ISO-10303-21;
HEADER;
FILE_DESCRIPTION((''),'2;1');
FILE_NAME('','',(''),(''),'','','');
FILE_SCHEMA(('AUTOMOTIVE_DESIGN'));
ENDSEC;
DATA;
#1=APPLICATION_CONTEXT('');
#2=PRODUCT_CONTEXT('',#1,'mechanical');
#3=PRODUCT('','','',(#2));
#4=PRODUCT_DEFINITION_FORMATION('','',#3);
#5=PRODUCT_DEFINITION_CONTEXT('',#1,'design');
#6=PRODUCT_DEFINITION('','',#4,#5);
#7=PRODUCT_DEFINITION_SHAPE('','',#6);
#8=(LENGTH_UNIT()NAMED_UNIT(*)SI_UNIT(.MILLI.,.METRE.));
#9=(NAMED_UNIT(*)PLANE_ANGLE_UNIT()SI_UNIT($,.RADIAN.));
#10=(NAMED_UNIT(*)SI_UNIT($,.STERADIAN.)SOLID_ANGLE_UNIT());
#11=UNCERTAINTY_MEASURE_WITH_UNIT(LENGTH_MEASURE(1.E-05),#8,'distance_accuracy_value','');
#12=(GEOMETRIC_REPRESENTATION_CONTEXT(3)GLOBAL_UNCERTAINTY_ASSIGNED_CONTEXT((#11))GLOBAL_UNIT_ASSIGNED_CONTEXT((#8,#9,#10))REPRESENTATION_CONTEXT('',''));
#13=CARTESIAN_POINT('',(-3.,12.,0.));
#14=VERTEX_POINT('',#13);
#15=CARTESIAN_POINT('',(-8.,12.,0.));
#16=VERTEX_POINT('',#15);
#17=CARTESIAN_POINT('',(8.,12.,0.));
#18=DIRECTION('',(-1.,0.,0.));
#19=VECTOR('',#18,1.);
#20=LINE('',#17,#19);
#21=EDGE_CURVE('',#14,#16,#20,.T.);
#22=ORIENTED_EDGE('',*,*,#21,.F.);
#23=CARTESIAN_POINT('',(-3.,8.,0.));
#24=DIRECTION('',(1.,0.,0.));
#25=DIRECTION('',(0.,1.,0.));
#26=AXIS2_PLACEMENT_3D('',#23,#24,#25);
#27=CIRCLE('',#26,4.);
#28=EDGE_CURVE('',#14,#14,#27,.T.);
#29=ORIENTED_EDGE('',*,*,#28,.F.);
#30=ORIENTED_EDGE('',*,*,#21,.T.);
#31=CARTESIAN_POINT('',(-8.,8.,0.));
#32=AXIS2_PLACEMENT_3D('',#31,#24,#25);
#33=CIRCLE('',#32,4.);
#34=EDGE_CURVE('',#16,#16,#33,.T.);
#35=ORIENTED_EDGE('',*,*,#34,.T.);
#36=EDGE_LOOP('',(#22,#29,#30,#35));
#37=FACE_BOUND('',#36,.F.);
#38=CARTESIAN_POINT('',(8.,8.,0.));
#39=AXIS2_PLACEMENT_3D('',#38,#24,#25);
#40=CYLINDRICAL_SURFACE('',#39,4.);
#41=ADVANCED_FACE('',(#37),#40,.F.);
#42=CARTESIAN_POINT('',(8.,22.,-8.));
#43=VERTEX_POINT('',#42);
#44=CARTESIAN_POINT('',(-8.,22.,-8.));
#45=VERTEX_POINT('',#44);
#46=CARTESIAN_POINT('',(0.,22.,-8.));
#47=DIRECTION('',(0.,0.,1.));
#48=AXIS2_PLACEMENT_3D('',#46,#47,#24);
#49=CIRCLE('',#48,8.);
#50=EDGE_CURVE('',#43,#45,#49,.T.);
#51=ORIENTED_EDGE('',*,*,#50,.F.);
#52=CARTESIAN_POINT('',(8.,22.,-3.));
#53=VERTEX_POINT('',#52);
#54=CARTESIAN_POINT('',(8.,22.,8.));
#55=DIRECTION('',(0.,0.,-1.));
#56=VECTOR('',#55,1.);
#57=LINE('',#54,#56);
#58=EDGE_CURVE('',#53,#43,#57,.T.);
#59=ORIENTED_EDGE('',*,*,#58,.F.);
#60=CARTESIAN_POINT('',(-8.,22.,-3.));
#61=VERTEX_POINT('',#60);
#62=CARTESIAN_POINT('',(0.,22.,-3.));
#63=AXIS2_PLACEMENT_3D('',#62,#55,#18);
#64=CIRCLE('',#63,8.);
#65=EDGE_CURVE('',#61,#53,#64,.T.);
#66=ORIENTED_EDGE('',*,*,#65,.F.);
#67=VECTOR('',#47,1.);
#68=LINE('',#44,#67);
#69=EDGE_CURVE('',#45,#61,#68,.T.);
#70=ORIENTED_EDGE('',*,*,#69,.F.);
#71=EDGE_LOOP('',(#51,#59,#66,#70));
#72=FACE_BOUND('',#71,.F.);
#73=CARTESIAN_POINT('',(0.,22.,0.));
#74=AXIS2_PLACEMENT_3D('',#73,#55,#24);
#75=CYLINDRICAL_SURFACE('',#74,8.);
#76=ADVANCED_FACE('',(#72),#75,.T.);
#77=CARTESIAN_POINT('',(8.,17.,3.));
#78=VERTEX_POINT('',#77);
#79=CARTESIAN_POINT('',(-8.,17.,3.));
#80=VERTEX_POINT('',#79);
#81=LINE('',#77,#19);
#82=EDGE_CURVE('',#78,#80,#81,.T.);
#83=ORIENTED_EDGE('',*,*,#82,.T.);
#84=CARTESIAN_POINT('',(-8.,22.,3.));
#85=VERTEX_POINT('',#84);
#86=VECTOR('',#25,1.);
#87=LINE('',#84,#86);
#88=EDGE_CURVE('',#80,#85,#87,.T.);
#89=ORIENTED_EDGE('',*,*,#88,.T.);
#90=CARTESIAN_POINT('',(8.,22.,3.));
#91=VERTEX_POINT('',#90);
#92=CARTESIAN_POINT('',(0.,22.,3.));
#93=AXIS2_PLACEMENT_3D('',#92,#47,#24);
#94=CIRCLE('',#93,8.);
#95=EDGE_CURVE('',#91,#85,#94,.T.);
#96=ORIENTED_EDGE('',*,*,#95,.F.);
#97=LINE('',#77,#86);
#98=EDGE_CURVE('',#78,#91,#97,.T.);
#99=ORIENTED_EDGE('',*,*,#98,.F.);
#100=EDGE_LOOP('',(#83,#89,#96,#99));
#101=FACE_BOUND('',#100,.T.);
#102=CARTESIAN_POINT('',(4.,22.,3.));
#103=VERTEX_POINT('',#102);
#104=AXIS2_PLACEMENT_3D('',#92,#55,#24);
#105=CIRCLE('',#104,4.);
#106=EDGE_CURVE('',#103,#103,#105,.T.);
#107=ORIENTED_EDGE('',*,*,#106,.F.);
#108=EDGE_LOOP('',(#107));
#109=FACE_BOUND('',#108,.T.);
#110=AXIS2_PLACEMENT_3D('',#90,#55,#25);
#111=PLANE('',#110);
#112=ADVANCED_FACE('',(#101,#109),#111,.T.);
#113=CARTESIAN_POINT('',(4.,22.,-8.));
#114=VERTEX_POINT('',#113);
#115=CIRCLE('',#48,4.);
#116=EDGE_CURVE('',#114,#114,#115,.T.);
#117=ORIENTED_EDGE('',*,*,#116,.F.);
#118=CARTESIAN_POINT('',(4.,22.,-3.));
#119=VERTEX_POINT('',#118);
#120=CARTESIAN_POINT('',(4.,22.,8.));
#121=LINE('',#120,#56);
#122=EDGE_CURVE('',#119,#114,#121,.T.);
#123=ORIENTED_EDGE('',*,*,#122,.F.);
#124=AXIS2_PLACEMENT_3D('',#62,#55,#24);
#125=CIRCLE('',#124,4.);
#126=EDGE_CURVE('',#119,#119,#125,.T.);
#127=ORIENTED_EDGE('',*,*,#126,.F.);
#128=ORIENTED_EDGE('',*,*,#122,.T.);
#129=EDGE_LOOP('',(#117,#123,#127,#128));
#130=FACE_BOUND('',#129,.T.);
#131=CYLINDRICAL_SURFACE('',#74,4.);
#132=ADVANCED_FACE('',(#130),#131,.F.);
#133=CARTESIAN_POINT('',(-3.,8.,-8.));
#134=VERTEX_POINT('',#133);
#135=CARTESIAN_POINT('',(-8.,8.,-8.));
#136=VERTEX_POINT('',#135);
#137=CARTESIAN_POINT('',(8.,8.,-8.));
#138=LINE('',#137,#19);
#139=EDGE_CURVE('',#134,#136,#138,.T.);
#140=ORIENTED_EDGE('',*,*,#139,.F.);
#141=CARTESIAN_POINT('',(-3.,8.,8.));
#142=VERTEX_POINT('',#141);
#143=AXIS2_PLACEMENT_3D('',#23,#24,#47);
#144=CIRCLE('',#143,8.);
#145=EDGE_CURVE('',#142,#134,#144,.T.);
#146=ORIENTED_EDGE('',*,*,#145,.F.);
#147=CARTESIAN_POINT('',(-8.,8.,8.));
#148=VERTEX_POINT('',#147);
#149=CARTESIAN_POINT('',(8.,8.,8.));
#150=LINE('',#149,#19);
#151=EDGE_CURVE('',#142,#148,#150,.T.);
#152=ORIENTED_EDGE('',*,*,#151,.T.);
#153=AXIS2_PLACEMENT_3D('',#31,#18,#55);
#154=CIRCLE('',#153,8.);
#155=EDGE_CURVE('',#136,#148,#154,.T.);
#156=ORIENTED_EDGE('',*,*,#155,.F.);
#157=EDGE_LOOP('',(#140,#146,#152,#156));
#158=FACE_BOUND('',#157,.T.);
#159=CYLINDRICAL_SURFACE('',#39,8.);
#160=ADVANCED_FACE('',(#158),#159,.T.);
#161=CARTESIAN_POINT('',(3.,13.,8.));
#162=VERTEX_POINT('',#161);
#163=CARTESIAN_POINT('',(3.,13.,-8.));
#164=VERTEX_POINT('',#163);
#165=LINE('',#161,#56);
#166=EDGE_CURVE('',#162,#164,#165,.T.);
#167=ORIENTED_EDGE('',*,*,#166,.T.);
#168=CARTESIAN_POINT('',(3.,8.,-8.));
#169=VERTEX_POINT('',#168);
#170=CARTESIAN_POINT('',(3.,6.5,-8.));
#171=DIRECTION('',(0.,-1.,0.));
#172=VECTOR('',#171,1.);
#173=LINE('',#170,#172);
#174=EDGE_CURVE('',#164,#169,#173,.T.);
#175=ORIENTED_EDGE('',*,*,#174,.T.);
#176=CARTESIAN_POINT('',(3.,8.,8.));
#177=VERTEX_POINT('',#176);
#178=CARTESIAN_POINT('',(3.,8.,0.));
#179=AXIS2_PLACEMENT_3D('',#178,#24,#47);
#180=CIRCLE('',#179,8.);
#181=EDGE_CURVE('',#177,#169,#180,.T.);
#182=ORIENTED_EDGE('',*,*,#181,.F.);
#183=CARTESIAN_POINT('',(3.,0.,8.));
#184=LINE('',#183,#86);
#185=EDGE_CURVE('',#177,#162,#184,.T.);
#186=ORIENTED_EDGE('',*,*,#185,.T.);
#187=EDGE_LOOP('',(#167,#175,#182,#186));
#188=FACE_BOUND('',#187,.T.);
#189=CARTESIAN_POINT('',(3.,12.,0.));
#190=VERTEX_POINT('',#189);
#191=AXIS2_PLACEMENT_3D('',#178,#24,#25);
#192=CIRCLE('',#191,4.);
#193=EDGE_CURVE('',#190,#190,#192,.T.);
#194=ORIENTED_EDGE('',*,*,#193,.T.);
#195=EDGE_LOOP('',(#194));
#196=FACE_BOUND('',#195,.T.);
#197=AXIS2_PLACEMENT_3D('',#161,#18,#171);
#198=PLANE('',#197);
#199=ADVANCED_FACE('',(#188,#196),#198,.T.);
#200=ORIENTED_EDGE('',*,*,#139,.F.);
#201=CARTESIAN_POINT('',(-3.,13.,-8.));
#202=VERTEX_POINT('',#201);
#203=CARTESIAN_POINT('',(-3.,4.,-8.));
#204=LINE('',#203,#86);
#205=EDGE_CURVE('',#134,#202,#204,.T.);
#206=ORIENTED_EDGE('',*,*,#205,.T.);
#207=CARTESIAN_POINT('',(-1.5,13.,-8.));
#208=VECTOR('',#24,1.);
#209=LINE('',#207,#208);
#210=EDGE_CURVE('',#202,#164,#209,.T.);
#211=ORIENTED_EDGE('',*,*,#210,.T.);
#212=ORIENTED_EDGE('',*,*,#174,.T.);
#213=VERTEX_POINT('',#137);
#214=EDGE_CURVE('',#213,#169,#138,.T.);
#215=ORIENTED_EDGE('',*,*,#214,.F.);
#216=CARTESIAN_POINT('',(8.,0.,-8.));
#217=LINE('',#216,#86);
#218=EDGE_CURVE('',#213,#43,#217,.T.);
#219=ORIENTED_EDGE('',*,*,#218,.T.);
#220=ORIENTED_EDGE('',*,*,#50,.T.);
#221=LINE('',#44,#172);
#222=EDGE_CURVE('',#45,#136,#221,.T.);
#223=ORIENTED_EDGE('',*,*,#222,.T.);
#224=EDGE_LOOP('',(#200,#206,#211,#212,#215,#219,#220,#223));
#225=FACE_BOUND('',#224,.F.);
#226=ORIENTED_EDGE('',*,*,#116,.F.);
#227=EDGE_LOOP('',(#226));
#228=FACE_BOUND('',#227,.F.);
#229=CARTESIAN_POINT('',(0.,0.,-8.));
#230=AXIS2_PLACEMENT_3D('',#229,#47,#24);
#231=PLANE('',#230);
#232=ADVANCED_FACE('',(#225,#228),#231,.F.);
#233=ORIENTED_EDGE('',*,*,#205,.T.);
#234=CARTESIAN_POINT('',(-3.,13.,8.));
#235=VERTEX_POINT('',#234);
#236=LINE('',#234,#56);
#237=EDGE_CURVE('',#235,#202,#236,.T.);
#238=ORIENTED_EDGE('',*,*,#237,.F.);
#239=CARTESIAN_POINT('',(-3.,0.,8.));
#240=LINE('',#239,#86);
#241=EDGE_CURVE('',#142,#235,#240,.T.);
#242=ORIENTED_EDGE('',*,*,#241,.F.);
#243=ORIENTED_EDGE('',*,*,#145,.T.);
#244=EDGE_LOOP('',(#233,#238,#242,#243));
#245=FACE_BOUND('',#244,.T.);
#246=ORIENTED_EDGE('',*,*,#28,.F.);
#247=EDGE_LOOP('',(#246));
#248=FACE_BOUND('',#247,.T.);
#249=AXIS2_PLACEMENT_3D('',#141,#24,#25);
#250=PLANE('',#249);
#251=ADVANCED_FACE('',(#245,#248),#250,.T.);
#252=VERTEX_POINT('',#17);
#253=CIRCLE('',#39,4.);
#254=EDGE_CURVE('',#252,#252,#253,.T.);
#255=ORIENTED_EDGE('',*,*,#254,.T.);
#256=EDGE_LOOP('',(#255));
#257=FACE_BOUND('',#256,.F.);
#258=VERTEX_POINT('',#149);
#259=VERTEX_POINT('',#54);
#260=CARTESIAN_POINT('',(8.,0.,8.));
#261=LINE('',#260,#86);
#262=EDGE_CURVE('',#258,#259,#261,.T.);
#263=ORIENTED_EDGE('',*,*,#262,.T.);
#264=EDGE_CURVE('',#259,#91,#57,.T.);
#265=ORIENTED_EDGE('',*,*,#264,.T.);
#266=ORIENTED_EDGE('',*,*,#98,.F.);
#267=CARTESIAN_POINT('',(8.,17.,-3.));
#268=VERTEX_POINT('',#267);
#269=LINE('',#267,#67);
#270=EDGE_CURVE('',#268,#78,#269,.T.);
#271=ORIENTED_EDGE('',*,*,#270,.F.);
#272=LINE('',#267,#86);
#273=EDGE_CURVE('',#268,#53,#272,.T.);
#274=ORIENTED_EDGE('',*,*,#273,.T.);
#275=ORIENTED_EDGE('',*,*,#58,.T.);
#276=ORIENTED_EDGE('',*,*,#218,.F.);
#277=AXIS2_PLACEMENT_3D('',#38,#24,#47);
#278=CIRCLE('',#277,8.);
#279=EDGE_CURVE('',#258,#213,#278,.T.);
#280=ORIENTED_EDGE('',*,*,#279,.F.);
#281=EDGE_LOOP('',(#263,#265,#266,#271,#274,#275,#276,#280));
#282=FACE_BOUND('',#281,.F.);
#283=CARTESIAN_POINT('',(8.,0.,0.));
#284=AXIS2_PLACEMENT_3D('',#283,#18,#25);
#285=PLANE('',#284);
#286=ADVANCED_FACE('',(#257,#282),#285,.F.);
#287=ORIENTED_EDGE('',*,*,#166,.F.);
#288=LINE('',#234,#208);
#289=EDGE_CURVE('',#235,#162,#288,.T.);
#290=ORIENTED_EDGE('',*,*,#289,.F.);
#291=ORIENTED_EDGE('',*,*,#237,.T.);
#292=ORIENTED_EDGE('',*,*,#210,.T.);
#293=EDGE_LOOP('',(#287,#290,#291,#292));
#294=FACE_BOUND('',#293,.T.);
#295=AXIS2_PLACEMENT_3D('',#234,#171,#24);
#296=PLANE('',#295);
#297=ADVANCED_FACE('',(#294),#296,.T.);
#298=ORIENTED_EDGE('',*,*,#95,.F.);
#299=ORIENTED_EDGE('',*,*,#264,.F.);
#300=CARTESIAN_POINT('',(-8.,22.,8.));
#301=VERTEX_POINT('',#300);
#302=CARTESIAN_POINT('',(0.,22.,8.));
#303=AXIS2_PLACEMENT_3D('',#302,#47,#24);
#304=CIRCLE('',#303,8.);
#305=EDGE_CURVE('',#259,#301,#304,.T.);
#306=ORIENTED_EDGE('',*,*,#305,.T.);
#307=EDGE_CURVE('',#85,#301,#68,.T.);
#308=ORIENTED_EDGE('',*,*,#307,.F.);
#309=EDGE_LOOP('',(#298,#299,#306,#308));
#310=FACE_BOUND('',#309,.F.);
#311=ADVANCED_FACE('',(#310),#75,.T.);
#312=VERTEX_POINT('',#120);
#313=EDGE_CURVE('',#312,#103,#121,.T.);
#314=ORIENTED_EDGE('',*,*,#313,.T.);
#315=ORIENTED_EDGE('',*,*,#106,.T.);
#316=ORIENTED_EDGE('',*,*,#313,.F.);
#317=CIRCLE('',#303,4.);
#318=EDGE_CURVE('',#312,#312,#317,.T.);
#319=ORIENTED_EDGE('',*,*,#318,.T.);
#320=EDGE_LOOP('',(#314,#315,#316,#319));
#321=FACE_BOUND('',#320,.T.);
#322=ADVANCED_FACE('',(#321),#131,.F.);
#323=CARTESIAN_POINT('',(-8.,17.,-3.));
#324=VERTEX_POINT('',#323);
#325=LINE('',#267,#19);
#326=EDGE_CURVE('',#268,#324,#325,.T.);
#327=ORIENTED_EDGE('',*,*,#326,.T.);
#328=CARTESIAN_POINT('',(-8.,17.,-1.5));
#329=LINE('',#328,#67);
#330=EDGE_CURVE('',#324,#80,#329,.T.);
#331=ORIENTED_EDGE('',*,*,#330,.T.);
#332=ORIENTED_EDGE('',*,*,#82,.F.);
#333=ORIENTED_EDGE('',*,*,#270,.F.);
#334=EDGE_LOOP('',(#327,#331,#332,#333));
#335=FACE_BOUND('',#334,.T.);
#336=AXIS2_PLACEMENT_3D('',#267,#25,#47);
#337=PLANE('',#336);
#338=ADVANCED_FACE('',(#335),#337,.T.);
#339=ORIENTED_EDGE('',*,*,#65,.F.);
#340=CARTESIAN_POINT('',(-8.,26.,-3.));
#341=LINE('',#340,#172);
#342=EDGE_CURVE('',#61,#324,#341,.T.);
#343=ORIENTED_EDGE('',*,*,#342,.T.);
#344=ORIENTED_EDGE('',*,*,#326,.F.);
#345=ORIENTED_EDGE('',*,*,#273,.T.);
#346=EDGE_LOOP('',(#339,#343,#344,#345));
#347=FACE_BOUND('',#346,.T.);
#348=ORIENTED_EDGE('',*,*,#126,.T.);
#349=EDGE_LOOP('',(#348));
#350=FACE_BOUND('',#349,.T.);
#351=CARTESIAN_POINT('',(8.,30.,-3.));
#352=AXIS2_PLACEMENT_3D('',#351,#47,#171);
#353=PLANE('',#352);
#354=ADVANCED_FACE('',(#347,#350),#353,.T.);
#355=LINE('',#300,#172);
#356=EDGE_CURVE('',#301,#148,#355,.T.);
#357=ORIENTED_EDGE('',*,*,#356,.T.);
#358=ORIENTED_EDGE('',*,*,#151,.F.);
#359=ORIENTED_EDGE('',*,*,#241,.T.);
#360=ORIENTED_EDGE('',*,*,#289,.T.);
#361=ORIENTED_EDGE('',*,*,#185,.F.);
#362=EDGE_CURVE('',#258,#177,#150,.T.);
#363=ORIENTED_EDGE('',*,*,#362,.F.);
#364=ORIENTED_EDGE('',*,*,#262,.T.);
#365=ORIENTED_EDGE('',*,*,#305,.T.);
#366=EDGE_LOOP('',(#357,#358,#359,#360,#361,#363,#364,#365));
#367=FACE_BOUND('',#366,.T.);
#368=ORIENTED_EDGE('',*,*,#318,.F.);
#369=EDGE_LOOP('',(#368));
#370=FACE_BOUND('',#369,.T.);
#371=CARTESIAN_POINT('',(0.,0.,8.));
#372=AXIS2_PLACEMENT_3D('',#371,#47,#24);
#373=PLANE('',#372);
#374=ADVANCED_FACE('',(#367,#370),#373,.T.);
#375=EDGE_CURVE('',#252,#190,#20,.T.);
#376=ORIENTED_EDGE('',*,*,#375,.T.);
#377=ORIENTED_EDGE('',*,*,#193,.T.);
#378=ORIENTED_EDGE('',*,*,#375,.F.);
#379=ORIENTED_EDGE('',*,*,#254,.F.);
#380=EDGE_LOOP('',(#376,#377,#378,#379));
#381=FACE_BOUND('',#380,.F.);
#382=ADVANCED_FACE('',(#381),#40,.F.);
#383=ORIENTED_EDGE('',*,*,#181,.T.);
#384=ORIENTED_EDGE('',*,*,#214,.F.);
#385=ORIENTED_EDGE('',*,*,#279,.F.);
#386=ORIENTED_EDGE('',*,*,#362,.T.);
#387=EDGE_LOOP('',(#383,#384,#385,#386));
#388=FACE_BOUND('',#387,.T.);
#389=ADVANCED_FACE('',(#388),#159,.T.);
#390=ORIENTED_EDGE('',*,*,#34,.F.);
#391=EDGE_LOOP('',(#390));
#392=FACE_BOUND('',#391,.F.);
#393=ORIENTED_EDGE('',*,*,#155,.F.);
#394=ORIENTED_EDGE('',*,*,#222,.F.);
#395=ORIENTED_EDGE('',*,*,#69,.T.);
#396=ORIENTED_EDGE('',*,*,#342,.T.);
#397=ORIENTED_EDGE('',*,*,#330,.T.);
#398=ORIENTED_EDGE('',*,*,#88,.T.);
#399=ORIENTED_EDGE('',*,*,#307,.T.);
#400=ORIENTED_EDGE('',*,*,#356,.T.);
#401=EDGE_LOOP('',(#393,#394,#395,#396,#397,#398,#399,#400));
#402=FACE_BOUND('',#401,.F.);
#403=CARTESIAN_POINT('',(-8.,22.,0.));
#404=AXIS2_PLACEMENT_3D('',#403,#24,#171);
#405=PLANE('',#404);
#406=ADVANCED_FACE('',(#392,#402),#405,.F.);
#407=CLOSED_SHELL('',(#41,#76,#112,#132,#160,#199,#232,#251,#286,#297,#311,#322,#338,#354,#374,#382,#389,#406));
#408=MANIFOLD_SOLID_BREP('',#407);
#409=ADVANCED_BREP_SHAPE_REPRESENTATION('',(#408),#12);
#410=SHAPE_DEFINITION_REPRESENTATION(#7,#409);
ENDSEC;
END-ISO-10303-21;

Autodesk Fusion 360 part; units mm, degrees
sketch "草图1" plane through (0, 0, 0) normal (0, 0, 1) x (1, 0, 0)
  circle A0 centre (0, 22) radius 4
  circle A1 centre (0, 22) radius 8
  line L0 (-8, 22) -> (-8, 0)
  line L1 (-8, 0) -> (8, 0)
  line L2 (8, 0) -> (8, 22)
  line L3 (0, 108.3744) -> (0, -35) construction
  dimension "d1" = 8
  dimension "d2" = 16
  dimension "d3" = 22
extrude "拉伸1" add sketch "草图1" along normal mid plane 16
sketch "草图2" plane through (8, 0, 0) normal (1, 0, 0) x (0, 1, 0)
  line L0 (22, -8) -> (22, 8)
  line L1 (22, 8) -> (0, 8)
  line L2 (0, 8) -> (0, -8)
  line L3 (0, -8) -> (22, -8)
  circle A0 centre (8, 0) radius 8
  circle A1 centre (8, 0) radius 4
  line L4 (8, 8) -> (22, 8)
  line L5 (22, 8) -> (22, -8)
  line L6 (8, -8) -> (22, -8)
  line L7 (-6, 0) -> (34.5187, 0) construction
  dimension "d6" = 16
  dimension "d7" = 8
  dimension "d8" = 14
extrude "拉伸2" cut sketch "草图2" against normal blind 52 contours L2 L3 A0 | L1 L2 A0 | A1
sketch "草图3" plane through (8, 0, 0) normal (1, 0, 0) x (0, 1, 0)
  circle A0 centre (8, 0) radius 4
  arc A1 (8, 8) -> (8, -8) centre (8, 0) ccw
  line L0 (8, -8) -> (22, -8)
  line L1 (22, -8) -> (22, 8)
  line L2 (22, 8) -> (8, 8)
  line L3 (17, 3) -> (30, 3)
  line L4 (30, 3) -> (30, -3)
  line L5 (30, -3) -> (17, -3)
  line L6 (17, -3) -> (17, 3)
  line L7 (-4, 0) -> (38.4958, 0) construction
  line L8 (30, 8) -> (30, -8) construction
  dimension "d11" = 6
  dimension "d12" = 13
extrude "拉伸3" cut sketch "草图3" against normal blind 21 contours L1 L3 L4 L5 | L1 L3 L5 L6
sketch "草图4" plane through (0, 0, 8) normal (0, 0, 1) x (-1, 0, 0)
  line L0 (8, -8) -> (-8, -8)
  line L1 (-8, -8) -> (-8, -22)
  arc A0 (-8, -22) -> (8, -22) centre (0, -22) ccw
  line L2 (8, -22) -> (8, -8)
  circle A1 centre (0, -22) radius 4
  line L3 (-3, 0) -> (3, 0)
  line L4 (3, 0) -> (3, -13)
  line L5 (3, -13) -> (-3, -13)
  line L6 (-3, -13) -> (-3, 0)
  line L7 (0, 5) -> (0, -37) construction
  line L8 (-8, 0) -> (8, 0) construction
  dimension "d15" = 6
  dimension "d16" = 13
extrude "拉伸4" cut sketch "草图4" against normal blind 68 contours L0 L4 L5 L6 | L0 L3 L4 L6
